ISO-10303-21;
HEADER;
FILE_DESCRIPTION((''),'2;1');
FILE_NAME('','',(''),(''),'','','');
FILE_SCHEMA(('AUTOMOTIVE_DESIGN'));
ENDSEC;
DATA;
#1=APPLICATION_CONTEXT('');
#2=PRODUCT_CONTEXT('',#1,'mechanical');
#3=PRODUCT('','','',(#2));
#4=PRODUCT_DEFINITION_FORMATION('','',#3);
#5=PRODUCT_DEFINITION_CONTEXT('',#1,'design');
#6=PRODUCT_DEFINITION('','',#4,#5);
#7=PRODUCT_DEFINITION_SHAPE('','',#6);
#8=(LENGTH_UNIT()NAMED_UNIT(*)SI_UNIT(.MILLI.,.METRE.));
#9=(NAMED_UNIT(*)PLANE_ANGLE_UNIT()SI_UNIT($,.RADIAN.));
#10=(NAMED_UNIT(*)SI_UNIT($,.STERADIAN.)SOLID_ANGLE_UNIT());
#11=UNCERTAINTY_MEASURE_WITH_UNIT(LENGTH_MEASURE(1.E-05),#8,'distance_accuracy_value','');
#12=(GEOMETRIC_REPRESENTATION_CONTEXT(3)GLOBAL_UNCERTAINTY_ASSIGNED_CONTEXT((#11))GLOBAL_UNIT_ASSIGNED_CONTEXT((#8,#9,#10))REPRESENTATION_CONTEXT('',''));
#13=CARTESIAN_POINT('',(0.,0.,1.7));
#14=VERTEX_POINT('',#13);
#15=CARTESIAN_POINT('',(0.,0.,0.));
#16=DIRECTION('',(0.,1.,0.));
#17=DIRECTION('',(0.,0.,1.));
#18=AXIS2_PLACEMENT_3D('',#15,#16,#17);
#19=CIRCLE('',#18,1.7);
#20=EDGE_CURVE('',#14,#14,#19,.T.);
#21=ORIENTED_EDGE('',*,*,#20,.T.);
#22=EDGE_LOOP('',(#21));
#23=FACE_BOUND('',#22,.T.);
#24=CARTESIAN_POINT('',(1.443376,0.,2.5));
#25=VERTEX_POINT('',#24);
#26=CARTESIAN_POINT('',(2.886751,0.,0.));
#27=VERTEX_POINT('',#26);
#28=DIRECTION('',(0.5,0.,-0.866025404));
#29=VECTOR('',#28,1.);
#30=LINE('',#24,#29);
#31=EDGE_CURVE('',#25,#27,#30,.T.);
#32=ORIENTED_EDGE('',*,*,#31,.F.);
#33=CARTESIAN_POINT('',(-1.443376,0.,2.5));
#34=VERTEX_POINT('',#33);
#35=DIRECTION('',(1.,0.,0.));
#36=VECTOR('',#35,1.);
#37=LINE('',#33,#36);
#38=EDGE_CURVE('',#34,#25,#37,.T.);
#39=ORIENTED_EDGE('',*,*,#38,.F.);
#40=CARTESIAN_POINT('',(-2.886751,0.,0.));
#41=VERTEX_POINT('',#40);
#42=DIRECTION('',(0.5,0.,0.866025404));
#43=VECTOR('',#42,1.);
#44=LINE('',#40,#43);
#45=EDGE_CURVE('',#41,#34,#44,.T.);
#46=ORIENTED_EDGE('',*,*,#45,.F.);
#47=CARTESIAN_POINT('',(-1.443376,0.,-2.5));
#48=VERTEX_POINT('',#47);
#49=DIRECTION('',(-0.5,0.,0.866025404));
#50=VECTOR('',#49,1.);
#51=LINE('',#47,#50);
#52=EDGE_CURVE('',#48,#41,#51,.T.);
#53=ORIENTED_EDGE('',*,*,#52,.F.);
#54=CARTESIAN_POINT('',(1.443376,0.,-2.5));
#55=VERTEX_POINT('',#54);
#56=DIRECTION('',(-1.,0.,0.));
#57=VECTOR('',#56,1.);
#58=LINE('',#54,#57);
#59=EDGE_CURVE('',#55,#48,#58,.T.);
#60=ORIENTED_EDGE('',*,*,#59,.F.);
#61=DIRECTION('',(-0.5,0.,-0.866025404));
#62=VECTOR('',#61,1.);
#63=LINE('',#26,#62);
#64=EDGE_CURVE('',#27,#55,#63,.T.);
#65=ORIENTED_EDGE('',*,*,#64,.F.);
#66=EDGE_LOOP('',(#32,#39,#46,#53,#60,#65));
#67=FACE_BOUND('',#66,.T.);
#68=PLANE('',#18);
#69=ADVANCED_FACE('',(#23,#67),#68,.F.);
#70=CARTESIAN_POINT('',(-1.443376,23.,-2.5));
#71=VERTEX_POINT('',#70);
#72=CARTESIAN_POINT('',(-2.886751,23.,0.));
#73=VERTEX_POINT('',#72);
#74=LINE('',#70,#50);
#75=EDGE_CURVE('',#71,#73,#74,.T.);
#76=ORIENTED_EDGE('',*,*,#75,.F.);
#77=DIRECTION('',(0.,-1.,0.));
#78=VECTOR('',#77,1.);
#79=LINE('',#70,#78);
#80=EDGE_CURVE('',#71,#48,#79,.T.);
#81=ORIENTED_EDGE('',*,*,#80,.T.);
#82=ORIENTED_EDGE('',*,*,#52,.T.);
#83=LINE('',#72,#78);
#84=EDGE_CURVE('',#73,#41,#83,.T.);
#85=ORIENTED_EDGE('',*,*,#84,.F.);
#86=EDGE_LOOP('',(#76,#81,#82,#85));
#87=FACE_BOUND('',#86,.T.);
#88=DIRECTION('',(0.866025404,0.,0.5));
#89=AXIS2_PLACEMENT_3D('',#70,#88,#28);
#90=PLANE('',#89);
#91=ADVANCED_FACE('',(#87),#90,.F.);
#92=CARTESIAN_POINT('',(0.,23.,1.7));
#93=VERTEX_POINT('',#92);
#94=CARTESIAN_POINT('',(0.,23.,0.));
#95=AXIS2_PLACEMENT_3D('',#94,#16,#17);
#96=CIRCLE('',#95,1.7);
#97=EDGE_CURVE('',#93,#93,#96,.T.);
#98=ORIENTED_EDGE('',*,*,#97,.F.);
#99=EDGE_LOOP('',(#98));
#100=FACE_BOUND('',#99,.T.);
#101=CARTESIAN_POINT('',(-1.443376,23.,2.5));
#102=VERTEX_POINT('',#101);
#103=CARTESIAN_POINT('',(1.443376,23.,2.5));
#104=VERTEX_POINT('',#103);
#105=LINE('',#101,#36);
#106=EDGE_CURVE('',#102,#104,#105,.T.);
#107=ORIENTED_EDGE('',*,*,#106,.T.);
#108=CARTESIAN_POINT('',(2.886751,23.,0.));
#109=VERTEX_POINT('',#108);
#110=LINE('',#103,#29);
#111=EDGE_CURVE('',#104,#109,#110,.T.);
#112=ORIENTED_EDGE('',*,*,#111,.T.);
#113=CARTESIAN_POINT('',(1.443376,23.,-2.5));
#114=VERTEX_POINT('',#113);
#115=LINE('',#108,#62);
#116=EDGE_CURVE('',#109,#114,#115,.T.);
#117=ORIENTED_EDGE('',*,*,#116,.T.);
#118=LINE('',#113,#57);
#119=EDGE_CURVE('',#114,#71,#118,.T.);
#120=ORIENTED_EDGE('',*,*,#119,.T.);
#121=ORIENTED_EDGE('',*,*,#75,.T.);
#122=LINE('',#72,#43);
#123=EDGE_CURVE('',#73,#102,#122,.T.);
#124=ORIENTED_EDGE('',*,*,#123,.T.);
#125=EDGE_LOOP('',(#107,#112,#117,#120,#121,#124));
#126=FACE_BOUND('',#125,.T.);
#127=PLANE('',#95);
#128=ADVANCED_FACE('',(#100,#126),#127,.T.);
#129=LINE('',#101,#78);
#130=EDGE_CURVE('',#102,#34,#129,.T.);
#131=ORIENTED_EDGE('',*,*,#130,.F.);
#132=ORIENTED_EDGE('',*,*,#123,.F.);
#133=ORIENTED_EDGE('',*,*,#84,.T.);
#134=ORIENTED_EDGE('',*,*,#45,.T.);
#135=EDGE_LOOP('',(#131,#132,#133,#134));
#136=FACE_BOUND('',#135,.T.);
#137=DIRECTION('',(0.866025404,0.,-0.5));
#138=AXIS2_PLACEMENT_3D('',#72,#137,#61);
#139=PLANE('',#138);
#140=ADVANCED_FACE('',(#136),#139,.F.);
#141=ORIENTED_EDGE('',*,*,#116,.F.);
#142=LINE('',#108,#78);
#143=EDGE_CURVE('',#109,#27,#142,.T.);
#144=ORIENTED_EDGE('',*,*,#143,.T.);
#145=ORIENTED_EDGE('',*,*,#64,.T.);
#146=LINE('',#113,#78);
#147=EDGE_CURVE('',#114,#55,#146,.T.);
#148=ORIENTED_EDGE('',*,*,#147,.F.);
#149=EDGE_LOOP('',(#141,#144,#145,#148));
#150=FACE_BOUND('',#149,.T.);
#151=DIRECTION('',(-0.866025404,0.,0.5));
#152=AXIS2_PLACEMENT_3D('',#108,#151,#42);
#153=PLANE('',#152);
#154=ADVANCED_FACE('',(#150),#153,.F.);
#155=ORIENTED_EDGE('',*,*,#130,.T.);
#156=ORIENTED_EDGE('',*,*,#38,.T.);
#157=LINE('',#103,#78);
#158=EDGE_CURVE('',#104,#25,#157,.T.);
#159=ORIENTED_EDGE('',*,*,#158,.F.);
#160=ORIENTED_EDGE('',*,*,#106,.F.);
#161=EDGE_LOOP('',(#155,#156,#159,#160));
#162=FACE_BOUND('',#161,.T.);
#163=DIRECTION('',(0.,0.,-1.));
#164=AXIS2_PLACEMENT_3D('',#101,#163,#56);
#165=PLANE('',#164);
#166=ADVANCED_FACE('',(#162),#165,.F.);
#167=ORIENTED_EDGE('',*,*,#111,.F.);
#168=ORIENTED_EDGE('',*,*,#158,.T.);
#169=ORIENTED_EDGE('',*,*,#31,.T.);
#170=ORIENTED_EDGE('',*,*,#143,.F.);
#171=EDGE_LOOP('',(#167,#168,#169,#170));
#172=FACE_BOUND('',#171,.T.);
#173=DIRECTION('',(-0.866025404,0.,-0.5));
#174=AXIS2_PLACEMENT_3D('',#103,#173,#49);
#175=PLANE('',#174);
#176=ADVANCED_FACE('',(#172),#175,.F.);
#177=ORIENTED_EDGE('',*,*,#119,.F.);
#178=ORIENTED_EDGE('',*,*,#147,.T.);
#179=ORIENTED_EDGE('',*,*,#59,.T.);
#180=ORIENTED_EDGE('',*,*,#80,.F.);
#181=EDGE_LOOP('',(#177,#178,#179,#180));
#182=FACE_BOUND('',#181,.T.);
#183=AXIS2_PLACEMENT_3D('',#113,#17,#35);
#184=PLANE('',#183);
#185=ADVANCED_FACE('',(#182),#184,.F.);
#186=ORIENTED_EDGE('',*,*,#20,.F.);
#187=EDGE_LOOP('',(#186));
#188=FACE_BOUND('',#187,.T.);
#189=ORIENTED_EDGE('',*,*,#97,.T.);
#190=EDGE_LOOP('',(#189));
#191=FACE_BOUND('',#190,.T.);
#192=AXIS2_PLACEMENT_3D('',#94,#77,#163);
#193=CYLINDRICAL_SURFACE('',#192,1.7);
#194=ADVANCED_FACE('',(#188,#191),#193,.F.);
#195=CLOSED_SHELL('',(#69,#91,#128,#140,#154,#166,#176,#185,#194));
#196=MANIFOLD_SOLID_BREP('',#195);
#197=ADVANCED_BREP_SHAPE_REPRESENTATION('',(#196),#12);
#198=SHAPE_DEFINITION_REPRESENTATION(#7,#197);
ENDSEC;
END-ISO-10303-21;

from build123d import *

# Parameters (mm, degrees)
SKETCH_1_R      = 1.7
EXTRUDE_1_DEPTH = 23


with BuildPart() as part:
    # 草图1 → 凸台-拉伸1 (new body)
    with BuildSketch(Plane(origin=(0, 0, 0), x_dir=(1, 0, 0), z_dir=(0, 1, 0))):
        Polygon((2.886751346, 0), (1.443375673, 2.5), (-1.443375673, 2.5), (-2.886751346, 0), (-1.443375673, -2.5), (1.443375673, -2.5), align=None)
        with Locations(Location((0, 0, 0), (0, 0, 270))):
            Circle(SKETCH_1_R, mode=Mode.SUBTRACT)
    extrude(amount=EXTRUDE_1_DEPTH)


solid = part.part
